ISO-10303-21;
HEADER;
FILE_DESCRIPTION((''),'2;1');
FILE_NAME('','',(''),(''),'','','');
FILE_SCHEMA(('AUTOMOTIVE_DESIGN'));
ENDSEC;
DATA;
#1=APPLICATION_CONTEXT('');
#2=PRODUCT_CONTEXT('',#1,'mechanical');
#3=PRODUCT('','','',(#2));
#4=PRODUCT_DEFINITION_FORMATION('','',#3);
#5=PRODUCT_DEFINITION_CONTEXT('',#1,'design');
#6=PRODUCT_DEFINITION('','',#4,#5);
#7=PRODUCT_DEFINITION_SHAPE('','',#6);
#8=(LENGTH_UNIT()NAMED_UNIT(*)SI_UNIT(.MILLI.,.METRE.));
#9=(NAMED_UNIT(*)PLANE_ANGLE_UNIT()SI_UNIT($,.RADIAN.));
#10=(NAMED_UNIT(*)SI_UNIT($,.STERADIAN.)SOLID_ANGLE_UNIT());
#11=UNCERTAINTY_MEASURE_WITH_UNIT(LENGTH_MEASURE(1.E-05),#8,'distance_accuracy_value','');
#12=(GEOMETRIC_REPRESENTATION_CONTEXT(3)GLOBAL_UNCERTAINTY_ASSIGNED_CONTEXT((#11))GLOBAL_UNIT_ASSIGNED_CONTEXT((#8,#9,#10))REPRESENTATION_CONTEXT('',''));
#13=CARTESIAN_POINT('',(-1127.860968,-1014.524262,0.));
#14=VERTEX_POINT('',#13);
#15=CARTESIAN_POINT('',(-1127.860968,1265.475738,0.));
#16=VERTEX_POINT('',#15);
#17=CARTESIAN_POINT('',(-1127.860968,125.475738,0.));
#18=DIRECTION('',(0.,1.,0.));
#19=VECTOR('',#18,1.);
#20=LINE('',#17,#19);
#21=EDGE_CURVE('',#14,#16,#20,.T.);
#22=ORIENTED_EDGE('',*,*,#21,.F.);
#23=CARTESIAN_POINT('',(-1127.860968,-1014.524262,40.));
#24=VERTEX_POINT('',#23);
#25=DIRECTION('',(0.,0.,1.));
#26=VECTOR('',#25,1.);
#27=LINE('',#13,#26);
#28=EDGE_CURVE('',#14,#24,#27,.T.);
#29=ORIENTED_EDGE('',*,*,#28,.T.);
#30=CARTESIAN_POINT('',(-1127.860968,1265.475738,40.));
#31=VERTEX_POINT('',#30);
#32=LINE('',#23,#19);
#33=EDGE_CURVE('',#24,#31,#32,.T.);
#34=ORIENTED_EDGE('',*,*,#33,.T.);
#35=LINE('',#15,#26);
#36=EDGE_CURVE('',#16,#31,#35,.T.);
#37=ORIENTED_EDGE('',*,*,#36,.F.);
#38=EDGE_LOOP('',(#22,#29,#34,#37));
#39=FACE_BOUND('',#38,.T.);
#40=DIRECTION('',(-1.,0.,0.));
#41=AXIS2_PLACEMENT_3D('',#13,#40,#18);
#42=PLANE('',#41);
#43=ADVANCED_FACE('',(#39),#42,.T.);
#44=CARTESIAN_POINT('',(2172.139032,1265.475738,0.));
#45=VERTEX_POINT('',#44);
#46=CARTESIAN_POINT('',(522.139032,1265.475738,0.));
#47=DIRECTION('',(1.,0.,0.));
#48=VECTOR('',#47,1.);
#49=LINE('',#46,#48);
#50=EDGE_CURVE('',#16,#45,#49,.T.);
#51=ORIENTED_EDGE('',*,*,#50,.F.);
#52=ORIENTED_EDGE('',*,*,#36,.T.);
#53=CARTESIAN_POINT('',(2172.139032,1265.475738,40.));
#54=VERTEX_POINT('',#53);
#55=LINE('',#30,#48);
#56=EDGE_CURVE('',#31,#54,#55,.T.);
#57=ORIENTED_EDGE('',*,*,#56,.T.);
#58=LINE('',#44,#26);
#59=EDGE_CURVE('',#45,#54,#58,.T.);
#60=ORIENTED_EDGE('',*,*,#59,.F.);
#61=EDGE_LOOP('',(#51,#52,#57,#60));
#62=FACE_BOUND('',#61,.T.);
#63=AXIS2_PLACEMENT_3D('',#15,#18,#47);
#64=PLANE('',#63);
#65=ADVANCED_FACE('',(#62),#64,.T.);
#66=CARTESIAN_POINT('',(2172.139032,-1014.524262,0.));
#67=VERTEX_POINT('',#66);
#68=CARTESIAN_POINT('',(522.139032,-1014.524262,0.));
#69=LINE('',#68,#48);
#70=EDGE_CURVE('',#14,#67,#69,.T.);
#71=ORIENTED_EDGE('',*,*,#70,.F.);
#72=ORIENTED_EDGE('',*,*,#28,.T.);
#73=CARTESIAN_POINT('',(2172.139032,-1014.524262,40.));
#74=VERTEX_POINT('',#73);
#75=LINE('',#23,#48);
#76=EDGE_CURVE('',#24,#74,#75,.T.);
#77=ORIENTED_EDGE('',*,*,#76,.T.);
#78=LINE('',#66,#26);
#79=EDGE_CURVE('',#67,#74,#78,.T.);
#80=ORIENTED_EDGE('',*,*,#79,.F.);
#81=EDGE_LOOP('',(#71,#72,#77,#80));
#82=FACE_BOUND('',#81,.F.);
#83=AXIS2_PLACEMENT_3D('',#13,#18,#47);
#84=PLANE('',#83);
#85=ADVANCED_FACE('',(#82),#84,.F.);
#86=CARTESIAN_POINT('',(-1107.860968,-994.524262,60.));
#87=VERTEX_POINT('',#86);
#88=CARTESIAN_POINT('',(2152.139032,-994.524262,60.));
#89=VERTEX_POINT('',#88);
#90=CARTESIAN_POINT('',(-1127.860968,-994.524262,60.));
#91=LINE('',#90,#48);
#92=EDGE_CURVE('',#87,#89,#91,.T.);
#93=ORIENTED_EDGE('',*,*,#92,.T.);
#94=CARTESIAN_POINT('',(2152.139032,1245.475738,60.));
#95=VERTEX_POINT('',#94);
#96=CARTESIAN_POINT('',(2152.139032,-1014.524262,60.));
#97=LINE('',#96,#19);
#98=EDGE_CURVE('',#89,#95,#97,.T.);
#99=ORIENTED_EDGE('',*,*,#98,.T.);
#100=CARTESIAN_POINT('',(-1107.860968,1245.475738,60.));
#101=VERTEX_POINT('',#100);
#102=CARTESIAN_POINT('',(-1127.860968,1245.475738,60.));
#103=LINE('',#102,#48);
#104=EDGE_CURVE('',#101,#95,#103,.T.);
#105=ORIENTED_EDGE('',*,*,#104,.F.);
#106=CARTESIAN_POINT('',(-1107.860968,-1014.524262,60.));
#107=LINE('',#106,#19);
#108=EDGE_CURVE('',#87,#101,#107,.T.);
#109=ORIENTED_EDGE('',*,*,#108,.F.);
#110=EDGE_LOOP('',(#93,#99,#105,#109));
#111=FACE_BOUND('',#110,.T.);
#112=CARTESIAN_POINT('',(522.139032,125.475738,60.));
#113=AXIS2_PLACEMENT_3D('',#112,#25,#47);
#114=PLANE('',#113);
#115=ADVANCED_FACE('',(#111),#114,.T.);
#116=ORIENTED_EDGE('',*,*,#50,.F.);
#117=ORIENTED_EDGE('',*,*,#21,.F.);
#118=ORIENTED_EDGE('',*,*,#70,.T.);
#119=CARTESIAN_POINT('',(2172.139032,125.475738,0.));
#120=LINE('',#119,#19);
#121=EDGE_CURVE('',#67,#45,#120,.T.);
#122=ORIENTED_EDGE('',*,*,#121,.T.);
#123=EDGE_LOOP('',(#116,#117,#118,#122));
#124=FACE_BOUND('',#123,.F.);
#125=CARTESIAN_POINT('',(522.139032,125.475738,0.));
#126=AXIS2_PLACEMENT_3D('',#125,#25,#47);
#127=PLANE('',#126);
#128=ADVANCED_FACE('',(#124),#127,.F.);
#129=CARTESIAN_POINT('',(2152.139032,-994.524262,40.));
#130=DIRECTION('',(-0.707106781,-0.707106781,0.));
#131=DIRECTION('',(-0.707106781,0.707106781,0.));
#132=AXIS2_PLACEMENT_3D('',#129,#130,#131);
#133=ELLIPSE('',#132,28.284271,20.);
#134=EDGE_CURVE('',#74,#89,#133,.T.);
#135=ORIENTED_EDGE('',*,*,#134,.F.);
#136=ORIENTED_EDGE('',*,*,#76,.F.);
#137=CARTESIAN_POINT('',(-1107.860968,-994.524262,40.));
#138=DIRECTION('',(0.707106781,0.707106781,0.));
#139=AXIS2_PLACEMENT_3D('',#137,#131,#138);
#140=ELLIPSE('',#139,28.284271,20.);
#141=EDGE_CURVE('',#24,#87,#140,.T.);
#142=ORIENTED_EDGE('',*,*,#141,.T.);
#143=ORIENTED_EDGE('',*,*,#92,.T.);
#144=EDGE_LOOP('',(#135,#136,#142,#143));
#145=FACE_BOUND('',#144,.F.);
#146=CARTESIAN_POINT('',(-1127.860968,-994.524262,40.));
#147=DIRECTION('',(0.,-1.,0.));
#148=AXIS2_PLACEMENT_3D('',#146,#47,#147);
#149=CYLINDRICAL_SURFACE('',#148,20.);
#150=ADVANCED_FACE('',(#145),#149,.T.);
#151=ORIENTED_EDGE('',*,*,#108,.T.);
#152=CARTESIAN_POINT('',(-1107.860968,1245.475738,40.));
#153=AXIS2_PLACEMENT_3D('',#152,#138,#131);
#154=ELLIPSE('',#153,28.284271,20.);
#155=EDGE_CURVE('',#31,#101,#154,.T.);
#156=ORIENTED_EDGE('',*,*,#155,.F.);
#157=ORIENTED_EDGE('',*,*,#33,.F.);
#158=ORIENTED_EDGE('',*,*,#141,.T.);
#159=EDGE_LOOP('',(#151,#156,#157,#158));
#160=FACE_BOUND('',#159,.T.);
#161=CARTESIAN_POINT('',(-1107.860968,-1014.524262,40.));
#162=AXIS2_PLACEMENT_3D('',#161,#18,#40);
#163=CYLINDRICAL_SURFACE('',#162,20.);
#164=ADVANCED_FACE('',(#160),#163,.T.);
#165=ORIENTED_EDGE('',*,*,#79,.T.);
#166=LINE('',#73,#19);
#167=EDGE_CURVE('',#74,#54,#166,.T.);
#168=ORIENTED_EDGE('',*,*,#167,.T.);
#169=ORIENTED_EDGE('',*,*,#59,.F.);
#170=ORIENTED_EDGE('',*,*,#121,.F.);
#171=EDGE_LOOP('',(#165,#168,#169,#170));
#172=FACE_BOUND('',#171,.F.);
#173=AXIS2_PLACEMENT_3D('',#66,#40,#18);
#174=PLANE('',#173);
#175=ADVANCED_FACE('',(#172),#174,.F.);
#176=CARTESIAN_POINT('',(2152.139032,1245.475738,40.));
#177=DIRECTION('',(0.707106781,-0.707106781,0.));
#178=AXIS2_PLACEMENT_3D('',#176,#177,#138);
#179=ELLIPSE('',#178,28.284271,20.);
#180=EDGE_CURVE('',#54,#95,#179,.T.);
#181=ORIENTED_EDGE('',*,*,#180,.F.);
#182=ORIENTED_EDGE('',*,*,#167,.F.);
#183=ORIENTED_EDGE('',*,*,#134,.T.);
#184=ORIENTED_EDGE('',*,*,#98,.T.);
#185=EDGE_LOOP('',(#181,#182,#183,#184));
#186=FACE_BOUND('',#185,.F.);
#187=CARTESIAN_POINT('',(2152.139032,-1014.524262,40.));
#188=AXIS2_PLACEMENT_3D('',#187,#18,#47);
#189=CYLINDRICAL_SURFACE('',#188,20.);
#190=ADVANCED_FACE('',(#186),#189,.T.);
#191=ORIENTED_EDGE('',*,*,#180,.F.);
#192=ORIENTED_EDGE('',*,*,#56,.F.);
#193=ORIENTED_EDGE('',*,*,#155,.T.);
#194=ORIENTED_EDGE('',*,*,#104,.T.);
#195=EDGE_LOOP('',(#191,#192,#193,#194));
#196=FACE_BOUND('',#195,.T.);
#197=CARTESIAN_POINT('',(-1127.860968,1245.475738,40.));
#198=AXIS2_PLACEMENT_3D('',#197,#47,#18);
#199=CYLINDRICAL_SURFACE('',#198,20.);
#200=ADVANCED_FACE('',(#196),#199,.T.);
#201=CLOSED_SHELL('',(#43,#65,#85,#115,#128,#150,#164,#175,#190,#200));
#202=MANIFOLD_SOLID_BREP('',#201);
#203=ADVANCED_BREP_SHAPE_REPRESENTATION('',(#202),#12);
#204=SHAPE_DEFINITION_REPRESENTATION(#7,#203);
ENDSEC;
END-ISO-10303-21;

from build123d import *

# Parameters (mm, degrees)
F1_W     = 3300
F1_H     = 2280
F2_DEPTH = 60
F3_R     = 20


with BuildPart() as f2:
    # F1 (on face) → F2 (new body)
    with BuildSketch(Plane.XY):
        with Locations((522.139032, 125.475738)):
            Rectangle(F1_W, F1_H)
    extrude(amount=F2_DEPTH)

    # F3
    f3_edges = [f2.edges().sort_by_distance(p)[0] for p in [
        (2172.139032, 125.475738, 60),
        (522.139032, -1014.524262, 60),
        (-1127.860968, 125.475738, 60),
        (522.139032, 1265.475738, 60),
    ]]
    fillet(f3_edges, radius=F3_R)


solid = f2.part
